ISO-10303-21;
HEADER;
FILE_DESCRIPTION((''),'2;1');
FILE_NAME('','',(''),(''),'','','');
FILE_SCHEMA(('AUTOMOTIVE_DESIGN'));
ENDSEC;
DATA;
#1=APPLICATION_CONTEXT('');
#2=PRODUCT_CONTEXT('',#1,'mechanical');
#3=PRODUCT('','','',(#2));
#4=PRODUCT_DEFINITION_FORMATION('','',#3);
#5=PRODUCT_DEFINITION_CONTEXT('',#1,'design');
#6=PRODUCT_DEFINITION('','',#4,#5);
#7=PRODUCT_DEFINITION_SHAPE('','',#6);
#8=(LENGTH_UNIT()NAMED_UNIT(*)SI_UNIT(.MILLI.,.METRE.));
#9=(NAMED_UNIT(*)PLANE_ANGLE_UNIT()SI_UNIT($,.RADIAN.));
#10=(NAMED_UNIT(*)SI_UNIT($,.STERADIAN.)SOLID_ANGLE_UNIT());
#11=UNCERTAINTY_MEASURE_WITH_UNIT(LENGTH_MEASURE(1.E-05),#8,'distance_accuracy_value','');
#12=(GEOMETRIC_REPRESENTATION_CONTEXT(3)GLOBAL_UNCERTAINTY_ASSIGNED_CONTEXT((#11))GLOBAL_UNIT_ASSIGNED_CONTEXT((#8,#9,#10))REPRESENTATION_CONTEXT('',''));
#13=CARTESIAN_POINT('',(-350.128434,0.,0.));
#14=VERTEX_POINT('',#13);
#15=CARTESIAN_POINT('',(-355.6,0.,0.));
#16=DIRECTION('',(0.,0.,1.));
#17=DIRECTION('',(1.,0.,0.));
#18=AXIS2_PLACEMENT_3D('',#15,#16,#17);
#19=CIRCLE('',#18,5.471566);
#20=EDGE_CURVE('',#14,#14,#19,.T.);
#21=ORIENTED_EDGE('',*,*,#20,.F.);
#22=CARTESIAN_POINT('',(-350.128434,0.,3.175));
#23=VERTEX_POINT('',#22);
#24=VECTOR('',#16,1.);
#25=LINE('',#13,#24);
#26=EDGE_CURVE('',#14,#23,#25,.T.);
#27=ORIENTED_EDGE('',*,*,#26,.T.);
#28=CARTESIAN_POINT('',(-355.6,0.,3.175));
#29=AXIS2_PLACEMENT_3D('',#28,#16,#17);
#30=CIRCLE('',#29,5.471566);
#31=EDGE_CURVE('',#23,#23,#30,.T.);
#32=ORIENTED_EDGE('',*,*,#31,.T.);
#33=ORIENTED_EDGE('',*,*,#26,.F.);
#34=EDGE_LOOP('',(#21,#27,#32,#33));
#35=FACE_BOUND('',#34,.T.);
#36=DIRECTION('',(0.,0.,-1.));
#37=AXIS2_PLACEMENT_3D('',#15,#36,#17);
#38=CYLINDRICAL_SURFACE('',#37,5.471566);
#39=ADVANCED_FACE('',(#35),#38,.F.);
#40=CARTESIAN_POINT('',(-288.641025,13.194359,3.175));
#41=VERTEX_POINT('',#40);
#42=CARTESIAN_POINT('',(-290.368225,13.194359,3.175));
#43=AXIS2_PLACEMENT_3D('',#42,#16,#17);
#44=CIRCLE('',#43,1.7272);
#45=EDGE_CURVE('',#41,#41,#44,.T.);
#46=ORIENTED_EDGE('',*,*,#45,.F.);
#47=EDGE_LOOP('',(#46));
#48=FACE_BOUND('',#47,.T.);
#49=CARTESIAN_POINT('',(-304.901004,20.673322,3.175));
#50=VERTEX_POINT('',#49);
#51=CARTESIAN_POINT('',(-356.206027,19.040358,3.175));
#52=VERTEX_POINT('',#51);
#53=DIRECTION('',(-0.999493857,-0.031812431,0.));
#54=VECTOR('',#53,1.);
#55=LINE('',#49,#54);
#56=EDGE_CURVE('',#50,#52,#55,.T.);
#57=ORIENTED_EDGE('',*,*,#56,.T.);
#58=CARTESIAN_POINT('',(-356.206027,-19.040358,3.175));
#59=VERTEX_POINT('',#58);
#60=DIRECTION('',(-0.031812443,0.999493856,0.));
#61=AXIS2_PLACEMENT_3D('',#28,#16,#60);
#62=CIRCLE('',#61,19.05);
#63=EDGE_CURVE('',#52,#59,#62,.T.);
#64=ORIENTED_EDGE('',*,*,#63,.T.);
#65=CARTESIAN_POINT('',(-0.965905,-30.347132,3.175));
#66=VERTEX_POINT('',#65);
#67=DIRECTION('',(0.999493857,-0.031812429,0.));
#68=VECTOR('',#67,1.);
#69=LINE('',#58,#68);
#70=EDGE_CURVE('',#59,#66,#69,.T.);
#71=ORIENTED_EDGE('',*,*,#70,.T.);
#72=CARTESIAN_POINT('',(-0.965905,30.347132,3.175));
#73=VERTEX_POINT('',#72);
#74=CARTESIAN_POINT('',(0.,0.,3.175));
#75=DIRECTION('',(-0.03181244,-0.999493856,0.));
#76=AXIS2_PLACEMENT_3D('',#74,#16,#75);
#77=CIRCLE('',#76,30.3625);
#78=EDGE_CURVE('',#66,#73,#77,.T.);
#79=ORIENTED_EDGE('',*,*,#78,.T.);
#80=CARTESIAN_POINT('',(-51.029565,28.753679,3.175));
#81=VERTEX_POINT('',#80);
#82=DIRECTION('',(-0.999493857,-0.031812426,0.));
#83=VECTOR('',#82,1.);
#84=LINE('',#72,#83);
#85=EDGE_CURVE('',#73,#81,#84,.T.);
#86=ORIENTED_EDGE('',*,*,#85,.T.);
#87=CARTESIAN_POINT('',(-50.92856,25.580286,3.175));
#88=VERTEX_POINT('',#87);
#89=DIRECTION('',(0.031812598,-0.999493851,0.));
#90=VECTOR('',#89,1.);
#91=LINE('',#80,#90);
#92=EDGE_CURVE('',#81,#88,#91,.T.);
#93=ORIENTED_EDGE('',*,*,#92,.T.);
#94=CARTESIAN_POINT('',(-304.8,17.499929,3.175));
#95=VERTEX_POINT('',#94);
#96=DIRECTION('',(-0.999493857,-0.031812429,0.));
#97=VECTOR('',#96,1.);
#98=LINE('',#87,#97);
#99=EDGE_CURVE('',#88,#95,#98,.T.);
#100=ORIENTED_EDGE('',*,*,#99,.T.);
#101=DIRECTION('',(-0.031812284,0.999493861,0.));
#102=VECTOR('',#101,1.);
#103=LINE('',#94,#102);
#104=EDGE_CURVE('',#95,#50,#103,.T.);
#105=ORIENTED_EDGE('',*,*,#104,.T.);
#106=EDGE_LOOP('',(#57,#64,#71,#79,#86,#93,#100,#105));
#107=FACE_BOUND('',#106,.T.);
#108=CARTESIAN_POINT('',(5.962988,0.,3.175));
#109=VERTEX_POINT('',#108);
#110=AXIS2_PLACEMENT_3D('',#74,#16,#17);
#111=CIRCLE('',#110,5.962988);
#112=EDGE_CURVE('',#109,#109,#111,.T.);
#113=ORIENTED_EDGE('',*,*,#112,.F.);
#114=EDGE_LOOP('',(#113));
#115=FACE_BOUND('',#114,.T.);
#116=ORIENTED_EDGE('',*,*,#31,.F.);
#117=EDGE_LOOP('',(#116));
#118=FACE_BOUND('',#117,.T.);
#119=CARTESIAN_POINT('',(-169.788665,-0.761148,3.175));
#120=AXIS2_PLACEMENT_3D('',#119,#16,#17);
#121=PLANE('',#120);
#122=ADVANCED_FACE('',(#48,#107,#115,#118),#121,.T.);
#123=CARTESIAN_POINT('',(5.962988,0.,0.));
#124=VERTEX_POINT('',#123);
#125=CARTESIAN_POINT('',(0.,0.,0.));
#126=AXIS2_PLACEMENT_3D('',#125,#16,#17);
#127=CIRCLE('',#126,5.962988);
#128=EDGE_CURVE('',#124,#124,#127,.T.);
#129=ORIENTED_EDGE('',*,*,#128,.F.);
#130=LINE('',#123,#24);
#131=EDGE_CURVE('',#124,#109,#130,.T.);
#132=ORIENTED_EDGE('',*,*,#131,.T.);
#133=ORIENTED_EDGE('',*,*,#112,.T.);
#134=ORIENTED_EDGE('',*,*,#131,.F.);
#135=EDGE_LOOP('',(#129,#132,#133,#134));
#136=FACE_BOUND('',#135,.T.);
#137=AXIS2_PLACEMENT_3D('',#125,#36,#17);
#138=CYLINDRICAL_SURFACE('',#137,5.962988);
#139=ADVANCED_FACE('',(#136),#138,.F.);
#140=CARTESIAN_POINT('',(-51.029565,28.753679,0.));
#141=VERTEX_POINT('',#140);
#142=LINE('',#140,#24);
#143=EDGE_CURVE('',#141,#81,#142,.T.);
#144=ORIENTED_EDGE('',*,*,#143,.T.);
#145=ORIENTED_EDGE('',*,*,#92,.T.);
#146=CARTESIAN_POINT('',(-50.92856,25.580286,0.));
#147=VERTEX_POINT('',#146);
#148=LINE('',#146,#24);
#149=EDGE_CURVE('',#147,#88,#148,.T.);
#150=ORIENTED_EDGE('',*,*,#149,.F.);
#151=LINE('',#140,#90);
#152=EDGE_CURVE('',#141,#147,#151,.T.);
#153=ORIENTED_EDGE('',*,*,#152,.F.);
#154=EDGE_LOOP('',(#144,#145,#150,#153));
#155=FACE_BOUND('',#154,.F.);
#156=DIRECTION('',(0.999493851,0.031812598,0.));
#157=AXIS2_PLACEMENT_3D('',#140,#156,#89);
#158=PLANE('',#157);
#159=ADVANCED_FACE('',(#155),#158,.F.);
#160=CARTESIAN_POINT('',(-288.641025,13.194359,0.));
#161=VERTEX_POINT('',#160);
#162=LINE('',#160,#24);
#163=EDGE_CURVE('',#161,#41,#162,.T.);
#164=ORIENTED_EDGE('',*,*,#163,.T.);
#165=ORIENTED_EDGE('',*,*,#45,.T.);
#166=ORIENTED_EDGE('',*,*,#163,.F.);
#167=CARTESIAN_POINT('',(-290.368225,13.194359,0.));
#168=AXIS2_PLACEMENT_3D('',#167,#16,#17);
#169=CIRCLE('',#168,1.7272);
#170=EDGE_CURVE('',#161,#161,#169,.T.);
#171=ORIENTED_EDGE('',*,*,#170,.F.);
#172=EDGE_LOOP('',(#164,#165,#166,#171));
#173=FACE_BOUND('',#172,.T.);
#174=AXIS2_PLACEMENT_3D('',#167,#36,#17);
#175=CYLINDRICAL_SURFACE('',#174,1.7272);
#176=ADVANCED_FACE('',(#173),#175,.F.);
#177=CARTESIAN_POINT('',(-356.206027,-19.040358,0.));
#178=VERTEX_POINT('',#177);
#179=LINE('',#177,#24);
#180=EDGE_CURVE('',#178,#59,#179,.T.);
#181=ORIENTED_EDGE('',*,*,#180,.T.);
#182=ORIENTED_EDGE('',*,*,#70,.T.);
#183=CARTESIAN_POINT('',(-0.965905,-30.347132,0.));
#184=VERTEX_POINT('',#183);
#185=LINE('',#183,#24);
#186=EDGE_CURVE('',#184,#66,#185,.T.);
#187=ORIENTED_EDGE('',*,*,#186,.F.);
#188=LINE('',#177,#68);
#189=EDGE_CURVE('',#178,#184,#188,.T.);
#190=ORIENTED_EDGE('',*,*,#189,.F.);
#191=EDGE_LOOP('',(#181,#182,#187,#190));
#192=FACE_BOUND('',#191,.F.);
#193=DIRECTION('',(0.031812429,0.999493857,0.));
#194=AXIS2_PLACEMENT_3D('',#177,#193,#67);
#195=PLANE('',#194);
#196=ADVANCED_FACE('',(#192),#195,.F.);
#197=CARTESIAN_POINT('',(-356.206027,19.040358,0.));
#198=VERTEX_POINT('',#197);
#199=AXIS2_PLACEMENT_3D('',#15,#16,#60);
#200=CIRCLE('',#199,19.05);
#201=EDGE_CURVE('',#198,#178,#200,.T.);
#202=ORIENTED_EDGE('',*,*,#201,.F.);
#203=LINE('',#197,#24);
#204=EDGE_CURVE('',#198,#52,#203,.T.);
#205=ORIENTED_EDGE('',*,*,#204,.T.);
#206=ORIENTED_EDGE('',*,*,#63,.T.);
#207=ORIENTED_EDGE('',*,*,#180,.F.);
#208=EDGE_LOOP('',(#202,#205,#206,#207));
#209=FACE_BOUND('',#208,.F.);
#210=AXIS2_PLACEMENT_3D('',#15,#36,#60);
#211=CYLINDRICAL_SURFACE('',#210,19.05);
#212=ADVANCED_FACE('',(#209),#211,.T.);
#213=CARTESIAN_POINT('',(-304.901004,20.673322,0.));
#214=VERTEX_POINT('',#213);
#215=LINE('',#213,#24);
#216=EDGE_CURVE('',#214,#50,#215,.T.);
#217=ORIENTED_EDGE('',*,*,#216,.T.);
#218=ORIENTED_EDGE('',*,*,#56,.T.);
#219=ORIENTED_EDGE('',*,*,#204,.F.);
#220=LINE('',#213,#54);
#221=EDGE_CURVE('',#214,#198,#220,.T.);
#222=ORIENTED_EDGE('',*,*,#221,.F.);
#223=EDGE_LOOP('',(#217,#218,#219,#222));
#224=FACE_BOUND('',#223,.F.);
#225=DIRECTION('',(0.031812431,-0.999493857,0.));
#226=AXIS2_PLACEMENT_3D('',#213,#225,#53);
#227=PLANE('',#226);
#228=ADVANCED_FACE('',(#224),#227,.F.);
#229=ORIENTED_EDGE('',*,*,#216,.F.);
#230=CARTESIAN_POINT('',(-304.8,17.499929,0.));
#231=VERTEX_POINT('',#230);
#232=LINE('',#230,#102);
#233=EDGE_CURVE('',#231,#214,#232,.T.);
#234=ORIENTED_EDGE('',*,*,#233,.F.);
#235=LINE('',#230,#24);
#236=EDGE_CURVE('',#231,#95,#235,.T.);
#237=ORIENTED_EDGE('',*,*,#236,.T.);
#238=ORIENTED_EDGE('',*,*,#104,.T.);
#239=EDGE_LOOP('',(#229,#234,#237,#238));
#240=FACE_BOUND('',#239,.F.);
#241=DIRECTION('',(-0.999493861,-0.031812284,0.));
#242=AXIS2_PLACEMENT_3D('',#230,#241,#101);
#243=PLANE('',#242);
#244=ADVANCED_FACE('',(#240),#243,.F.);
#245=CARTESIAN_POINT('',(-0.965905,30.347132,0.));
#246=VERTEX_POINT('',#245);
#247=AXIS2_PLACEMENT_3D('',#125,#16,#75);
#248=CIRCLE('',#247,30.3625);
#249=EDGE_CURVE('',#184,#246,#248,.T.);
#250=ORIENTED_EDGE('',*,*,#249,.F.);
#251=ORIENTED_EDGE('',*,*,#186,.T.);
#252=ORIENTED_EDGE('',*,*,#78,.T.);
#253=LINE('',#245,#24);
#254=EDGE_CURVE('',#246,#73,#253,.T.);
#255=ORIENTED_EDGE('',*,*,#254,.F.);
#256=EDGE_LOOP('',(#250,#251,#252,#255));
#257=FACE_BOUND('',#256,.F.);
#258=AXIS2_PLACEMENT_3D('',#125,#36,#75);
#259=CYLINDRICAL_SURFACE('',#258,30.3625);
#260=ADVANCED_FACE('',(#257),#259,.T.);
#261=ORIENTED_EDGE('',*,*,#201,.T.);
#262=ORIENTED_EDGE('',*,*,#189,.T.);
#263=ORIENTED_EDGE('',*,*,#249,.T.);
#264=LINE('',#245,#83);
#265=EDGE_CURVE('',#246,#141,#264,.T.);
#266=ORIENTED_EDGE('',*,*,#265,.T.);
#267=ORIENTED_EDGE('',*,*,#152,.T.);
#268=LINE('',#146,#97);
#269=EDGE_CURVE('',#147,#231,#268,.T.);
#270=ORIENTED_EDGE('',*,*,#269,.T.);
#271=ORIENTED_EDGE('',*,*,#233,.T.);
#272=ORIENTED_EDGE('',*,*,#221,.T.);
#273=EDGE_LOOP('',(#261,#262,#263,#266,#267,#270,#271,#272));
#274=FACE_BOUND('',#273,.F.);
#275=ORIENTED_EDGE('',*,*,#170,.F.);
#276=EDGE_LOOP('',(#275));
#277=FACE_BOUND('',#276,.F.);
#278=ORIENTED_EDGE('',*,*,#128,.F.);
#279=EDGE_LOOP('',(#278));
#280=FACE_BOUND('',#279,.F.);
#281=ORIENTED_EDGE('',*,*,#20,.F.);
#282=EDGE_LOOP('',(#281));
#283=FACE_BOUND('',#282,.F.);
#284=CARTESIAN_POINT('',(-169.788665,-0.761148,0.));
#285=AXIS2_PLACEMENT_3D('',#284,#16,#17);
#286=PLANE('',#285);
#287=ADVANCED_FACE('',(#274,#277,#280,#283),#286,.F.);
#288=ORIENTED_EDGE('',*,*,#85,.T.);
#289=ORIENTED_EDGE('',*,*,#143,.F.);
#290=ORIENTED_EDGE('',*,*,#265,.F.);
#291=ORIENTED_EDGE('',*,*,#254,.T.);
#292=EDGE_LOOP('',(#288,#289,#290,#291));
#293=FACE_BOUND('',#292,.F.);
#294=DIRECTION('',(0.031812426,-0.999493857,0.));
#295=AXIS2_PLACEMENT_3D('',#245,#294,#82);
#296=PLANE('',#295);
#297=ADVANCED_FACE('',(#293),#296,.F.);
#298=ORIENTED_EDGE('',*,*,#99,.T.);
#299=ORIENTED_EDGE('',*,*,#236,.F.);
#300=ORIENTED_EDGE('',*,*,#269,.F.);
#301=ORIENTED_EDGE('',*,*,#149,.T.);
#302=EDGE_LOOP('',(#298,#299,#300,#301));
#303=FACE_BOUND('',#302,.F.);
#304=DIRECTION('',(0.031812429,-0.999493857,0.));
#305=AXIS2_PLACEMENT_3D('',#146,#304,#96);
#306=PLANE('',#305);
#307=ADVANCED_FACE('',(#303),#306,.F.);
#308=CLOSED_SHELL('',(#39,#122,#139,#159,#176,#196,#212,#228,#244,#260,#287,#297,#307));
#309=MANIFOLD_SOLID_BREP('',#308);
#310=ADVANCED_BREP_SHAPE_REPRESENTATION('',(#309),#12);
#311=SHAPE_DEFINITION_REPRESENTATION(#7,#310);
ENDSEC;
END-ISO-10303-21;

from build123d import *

# Parameters (mm, degrees)
F0_R     = 5.471566
F0_R_2   = 1.7272
F0_R_3   = 5.962988
F1_DEPTH = 3.175


with BuildPart() as f1:
    # F0 (on Top) → F1 (new body)
    with BuildSketch(Plane.XY):
        with BuildLine():
            Line((-356.206027, -19.040358), (-0.965905, -30.347132))
            ThreePointArc((-0.965905, -30.347132), (30.3625, 0), (-0.965905, 30.347132))
            Line((-0.965905, 30.347132), (-51.029565, 28.753679))
            Line((-51.029565, 28.753679), (-50.92856, 25.580286))
            Line((-50.92856, 25.580286), (-304.8, 17.499929))
            Line((-304.8, 17.499929), (-304.901004, 20.673322))
            Line((-304.901004, 20.673322), (-356.206027, 19.040358))
            ThreePointArc((-356.206027, 19.040358), (-374.65, 0), (-356.206027, -19.040358))
        make_face()
        with Locations((-355.6, 0)):
            Circle(F0_R, mode=Mode.SUBTRACT)
        with Locations((-290.368225, 13.194359)):
            Circle(F0_R_2, mode=Mode.SUBTRACT)
        Circle(F0_R_3, mode=Mode.SUBTRACT)
    extrude(amount=F1_DEPTH)


solid = f1.part
